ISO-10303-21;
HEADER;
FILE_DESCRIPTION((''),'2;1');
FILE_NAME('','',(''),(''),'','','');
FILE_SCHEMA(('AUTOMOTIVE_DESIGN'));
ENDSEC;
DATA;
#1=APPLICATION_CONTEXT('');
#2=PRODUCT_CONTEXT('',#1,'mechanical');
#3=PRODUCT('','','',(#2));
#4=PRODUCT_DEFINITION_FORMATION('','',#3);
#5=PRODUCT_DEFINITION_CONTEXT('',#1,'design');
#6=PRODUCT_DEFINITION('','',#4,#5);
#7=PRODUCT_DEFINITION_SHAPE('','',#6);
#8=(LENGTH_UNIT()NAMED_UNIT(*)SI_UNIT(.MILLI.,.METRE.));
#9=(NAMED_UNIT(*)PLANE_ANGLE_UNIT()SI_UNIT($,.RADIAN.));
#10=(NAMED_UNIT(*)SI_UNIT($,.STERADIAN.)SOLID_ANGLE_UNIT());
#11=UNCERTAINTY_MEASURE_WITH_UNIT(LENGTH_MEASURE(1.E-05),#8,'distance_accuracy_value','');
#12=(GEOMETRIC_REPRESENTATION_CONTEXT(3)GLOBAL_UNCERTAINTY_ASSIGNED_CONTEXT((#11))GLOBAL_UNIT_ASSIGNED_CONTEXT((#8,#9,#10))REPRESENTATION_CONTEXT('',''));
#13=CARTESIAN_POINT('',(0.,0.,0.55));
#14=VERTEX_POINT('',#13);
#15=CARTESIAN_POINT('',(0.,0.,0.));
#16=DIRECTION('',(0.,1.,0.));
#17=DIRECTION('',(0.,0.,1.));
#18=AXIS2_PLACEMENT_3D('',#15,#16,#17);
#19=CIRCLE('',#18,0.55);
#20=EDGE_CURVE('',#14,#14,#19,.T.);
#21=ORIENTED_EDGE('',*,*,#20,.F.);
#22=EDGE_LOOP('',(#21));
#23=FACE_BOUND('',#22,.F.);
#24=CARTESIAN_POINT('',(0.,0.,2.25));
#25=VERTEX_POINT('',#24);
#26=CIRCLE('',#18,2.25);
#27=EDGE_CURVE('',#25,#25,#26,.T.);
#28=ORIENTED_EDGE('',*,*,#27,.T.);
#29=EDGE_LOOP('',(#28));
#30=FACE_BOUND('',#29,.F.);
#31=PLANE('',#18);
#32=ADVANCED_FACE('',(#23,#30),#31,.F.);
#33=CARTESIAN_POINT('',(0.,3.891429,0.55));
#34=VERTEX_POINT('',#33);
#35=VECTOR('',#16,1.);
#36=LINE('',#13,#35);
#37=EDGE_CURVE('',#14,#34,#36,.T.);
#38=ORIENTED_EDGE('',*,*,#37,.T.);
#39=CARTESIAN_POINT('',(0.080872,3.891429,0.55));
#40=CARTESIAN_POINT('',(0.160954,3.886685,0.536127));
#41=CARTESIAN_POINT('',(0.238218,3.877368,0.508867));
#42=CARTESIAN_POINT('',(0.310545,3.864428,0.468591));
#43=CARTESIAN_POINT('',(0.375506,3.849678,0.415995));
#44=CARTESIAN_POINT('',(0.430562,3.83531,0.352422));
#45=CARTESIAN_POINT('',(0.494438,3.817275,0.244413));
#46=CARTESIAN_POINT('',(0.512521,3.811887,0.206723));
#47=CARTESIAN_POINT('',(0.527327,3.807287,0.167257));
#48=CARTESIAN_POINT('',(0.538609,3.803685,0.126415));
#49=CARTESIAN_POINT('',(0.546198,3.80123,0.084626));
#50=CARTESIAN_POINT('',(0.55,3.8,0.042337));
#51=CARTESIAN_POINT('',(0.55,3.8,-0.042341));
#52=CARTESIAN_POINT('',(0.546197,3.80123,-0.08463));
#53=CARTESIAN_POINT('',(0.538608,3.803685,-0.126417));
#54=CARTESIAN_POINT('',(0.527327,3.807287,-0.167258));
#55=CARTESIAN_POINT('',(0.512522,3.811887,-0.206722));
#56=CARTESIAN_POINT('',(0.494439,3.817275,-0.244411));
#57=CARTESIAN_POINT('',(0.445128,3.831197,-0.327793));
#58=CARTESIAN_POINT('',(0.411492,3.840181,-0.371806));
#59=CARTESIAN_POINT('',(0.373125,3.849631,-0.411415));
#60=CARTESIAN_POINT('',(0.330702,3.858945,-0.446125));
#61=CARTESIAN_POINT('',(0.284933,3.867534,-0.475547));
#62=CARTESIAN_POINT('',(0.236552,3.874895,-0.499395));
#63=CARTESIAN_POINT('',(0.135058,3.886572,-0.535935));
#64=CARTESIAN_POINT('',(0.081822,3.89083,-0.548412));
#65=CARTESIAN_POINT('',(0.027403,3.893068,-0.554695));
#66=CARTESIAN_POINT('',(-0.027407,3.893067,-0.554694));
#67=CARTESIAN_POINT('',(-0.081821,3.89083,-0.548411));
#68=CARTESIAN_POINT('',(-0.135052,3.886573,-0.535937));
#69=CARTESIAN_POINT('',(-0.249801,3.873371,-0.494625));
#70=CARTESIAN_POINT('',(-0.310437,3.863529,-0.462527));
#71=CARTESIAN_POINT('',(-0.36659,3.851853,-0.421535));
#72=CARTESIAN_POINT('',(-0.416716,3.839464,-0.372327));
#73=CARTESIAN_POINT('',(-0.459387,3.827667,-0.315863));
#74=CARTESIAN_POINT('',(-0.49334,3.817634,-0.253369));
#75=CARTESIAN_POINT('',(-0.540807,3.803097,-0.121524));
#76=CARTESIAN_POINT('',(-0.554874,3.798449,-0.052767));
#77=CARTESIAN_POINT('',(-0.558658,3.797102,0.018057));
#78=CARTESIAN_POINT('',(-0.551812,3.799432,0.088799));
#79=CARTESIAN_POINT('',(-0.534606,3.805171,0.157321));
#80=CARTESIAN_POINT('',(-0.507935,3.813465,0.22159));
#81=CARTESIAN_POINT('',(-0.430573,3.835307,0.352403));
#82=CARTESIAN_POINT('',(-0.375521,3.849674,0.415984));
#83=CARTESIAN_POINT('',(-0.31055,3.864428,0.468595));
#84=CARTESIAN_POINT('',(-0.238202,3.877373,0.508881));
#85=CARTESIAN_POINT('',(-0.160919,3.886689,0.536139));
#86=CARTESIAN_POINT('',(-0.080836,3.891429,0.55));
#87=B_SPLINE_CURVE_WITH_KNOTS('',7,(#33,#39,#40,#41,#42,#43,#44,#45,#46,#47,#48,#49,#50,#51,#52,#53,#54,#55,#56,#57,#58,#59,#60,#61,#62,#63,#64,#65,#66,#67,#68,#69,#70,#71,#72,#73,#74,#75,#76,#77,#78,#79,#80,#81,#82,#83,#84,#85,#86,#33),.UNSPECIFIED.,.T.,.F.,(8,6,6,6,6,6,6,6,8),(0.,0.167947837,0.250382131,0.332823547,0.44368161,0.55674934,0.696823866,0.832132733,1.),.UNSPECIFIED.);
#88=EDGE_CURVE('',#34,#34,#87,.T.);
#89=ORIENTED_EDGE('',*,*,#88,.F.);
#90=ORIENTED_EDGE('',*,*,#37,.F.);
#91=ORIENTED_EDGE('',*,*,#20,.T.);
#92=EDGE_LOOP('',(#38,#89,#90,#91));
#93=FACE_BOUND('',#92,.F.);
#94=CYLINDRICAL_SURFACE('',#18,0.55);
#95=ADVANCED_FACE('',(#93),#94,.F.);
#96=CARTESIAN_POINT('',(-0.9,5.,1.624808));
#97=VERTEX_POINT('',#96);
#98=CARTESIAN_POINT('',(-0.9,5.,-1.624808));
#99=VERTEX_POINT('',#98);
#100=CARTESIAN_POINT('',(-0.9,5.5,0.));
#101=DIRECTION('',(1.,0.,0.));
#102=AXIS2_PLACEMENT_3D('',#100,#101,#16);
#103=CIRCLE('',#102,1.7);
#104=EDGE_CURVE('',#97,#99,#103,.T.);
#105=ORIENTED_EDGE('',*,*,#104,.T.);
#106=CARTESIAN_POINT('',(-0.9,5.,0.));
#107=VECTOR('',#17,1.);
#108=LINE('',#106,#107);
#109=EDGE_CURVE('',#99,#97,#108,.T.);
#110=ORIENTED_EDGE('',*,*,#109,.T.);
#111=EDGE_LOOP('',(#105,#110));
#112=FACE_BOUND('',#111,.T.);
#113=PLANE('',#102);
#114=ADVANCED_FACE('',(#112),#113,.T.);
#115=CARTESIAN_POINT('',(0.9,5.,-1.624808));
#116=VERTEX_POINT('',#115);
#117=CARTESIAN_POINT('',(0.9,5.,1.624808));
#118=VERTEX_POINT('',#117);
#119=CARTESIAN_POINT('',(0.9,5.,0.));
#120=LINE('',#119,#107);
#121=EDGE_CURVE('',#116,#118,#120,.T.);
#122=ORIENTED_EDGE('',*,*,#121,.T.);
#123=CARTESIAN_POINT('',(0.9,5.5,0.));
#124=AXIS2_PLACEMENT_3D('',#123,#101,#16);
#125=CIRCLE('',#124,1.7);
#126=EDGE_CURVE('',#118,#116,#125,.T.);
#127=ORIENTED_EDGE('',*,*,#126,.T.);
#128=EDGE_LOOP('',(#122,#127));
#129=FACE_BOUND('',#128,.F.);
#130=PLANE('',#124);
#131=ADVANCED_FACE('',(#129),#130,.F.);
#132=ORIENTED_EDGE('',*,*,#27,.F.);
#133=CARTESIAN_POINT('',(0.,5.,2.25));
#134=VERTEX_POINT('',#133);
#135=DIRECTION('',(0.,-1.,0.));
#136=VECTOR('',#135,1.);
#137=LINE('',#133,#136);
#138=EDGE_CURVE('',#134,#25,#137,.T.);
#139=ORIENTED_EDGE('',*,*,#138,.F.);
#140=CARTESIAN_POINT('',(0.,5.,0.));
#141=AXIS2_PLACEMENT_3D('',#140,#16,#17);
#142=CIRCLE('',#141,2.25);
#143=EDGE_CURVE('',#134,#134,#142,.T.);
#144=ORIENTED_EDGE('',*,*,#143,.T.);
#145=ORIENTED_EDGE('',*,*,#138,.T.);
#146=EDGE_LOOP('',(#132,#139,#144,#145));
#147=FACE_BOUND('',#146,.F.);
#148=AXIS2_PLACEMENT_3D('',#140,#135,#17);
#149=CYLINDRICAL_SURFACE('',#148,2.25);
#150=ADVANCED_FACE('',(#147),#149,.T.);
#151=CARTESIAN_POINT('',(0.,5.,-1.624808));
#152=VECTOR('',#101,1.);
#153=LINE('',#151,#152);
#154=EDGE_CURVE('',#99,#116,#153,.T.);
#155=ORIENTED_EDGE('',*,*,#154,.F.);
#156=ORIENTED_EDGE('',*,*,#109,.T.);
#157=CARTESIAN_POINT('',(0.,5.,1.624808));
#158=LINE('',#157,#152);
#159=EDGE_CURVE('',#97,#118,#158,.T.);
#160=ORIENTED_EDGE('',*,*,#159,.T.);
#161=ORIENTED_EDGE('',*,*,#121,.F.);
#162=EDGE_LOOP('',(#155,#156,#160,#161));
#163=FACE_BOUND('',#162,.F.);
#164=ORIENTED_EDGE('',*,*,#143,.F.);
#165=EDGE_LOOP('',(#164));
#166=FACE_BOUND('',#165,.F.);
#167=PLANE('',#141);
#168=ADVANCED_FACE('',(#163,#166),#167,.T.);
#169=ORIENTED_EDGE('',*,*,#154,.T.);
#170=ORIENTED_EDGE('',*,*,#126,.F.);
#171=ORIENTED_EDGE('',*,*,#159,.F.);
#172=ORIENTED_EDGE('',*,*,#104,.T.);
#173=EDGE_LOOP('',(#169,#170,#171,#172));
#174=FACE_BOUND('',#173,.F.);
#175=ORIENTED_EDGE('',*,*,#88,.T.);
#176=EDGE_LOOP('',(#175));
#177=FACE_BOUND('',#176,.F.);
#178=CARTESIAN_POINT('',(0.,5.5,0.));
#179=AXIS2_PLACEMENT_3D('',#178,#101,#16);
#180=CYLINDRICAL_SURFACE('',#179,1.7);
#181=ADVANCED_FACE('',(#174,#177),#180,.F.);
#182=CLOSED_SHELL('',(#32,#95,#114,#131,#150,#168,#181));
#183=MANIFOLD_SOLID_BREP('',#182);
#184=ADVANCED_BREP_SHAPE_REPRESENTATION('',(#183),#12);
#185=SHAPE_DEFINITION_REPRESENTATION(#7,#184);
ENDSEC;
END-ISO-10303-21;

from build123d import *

# Parameters (mm, degrees)
F2_R     = 1.7
F3_DEPTH = 0.9


with BuildPart() as f1:
    # F0 (on Right) → F1 (revolve)
    with BuildSketch(Plane.YZ):
        Polygon((0, 2.25), (0, 0.55), (4, 0.55), (4, 0), (5, 0), (5, 2.25), align=None)
    revolve(axis=Axis((0, 2.351551, 0), (0, 1, 0)))

    # F2 (on Right) → F3 (cut, symmetric)
    with BuildSketch(Plane.YZ):
        with Locations((5.5, 0)):
            Circle(F2_R)
    extrude(amount=F3_DEPTH, both=True, mode=Mode.SUBTRACT)


solid = f1.part
